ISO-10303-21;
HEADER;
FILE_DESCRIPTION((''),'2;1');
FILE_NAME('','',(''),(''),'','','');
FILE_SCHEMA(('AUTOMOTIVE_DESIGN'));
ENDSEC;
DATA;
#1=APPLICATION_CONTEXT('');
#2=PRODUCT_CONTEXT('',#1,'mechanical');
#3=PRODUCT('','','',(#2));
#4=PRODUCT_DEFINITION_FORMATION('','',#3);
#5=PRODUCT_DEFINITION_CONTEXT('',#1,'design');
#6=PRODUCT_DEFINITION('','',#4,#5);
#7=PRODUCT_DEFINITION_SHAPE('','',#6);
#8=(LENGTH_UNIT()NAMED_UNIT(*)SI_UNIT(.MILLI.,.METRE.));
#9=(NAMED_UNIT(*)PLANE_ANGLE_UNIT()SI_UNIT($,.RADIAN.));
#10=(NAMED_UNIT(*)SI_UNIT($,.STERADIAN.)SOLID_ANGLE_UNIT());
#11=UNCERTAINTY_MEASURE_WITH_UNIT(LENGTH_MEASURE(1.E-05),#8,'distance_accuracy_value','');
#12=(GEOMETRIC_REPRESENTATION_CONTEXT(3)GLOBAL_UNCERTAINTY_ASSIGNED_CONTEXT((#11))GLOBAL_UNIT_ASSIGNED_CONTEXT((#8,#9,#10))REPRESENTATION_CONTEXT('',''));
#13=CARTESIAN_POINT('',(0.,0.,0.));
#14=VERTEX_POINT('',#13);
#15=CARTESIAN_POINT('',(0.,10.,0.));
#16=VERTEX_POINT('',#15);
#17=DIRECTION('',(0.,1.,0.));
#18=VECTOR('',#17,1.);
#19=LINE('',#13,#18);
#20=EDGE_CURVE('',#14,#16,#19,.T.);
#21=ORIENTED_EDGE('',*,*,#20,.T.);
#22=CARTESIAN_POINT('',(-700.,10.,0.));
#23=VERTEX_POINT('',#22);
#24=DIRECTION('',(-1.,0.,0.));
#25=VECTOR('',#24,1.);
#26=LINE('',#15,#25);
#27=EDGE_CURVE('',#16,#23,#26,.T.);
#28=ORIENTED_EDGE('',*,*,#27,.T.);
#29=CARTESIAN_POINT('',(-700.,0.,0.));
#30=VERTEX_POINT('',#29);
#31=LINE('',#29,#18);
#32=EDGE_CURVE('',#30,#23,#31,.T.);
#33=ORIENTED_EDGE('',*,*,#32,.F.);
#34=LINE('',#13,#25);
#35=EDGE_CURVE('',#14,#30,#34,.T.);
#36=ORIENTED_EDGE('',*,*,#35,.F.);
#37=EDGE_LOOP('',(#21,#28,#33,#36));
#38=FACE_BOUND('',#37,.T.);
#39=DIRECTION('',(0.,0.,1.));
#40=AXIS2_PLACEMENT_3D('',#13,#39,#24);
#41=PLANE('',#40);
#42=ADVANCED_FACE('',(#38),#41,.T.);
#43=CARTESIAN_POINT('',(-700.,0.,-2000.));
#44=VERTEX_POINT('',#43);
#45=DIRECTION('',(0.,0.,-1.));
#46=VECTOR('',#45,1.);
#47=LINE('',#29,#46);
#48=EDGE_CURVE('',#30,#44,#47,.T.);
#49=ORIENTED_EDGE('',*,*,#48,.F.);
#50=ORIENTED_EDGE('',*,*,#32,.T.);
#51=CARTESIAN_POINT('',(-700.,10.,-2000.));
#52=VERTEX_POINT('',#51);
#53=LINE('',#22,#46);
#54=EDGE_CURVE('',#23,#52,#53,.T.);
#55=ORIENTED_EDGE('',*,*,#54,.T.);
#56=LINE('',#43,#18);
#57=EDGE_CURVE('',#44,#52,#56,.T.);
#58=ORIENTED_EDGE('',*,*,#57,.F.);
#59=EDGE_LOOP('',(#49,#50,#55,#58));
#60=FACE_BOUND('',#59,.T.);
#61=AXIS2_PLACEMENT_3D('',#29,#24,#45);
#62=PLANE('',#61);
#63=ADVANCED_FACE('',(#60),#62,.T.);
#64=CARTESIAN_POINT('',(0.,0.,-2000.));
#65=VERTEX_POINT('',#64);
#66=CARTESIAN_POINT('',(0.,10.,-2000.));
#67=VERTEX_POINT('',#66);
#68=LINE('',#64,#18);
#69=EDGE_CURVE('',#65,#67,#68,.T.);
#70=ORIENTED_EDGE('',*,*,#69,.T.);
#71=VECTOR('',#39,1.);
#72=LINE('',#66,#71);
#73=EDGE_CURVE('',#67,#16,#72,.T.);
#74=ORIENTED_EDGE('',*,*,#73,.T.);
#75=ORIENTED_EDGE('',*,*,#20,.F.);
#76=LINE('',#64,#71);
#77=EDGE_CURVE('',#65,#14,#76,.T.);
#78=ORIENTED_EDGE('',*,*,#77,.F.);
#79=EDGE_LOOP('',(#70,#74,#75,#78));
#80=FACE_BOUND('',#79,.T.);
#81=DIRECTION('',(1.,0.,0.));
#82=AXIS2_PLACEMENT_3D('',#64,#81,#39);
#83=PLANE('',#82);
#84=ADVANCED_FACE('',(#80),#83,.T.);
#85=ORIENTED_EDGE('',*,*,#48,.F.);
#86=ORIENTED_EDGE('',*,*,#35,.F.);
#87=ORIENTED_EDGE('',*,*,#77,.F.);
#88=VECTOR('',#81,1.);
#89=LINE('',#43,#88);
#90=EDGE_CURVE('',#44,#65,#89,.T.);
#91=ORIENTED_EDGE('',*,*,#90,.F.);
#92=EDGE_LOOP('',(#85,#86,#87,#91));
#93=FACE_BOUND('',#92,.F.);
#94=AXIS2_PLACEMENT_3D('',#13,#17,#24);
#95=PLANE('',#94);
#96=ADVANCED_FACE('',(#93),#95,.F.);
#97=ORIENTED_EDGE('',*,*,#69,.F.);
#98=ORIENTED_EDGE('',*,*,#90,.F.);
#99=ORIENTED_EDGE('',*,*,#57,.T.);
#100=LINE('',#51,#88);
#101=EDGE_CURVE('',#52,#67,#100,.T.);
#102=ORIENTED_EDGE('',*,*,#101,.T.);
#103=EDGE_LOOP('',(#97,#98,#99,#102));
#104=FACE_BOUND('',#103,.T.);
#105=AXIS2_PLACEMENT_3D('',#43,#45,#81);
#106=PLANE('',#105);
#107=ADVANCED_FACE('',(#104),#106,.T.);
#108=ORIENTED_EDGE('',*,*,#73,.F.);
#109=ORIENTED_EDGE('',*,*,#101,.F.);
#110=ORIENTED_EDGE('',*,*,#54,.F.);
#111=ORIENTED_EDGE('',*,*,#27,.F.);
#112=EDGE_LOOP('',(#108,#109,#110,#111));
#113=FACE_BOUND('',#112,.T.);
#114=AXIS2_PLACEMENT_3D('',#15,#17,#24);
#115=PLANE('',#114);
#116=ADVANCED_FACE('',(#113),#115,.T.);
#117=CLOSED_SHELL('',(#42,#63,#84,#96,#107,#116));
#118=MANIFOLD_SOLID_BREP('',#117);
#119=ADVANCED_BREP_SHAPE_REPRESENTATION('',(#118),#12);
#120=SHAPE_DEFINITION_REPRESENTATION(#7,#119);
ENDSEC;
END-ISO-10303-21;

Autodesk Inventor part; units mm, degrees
ref_plane "YZ Plane" through (0, 0, 0) normal (1, 0, 0) x (0, 1, 0)
ref_plane "XZ Plane" through (0, 0, 0) normal (0, 1, 0) x (-1, 0, 0)
ref_plane "XY Plane" through (0, 0, 0) normal (0, 0, 1) x (1, 0, 0)
sketch "Sketch1" plane through (0, 0, 0) normal (0, 1, 0) x (-1, 0, 0)
  line L0 (0, 0) -> (700, 0)
  line L1 (700, 0) -> (700, -2000)
  line L2 (700, -2000) -> (0, -2000)
  line L3 (0, -2000) -> (0, 0)
  dimension "d0" = 700
  dimension "d1" = 2000
extrude "Extrusion1" add sketch "Sketch1" along normal blind 10
properties part number "coffeeWindowDoorTop" material "Glass"
